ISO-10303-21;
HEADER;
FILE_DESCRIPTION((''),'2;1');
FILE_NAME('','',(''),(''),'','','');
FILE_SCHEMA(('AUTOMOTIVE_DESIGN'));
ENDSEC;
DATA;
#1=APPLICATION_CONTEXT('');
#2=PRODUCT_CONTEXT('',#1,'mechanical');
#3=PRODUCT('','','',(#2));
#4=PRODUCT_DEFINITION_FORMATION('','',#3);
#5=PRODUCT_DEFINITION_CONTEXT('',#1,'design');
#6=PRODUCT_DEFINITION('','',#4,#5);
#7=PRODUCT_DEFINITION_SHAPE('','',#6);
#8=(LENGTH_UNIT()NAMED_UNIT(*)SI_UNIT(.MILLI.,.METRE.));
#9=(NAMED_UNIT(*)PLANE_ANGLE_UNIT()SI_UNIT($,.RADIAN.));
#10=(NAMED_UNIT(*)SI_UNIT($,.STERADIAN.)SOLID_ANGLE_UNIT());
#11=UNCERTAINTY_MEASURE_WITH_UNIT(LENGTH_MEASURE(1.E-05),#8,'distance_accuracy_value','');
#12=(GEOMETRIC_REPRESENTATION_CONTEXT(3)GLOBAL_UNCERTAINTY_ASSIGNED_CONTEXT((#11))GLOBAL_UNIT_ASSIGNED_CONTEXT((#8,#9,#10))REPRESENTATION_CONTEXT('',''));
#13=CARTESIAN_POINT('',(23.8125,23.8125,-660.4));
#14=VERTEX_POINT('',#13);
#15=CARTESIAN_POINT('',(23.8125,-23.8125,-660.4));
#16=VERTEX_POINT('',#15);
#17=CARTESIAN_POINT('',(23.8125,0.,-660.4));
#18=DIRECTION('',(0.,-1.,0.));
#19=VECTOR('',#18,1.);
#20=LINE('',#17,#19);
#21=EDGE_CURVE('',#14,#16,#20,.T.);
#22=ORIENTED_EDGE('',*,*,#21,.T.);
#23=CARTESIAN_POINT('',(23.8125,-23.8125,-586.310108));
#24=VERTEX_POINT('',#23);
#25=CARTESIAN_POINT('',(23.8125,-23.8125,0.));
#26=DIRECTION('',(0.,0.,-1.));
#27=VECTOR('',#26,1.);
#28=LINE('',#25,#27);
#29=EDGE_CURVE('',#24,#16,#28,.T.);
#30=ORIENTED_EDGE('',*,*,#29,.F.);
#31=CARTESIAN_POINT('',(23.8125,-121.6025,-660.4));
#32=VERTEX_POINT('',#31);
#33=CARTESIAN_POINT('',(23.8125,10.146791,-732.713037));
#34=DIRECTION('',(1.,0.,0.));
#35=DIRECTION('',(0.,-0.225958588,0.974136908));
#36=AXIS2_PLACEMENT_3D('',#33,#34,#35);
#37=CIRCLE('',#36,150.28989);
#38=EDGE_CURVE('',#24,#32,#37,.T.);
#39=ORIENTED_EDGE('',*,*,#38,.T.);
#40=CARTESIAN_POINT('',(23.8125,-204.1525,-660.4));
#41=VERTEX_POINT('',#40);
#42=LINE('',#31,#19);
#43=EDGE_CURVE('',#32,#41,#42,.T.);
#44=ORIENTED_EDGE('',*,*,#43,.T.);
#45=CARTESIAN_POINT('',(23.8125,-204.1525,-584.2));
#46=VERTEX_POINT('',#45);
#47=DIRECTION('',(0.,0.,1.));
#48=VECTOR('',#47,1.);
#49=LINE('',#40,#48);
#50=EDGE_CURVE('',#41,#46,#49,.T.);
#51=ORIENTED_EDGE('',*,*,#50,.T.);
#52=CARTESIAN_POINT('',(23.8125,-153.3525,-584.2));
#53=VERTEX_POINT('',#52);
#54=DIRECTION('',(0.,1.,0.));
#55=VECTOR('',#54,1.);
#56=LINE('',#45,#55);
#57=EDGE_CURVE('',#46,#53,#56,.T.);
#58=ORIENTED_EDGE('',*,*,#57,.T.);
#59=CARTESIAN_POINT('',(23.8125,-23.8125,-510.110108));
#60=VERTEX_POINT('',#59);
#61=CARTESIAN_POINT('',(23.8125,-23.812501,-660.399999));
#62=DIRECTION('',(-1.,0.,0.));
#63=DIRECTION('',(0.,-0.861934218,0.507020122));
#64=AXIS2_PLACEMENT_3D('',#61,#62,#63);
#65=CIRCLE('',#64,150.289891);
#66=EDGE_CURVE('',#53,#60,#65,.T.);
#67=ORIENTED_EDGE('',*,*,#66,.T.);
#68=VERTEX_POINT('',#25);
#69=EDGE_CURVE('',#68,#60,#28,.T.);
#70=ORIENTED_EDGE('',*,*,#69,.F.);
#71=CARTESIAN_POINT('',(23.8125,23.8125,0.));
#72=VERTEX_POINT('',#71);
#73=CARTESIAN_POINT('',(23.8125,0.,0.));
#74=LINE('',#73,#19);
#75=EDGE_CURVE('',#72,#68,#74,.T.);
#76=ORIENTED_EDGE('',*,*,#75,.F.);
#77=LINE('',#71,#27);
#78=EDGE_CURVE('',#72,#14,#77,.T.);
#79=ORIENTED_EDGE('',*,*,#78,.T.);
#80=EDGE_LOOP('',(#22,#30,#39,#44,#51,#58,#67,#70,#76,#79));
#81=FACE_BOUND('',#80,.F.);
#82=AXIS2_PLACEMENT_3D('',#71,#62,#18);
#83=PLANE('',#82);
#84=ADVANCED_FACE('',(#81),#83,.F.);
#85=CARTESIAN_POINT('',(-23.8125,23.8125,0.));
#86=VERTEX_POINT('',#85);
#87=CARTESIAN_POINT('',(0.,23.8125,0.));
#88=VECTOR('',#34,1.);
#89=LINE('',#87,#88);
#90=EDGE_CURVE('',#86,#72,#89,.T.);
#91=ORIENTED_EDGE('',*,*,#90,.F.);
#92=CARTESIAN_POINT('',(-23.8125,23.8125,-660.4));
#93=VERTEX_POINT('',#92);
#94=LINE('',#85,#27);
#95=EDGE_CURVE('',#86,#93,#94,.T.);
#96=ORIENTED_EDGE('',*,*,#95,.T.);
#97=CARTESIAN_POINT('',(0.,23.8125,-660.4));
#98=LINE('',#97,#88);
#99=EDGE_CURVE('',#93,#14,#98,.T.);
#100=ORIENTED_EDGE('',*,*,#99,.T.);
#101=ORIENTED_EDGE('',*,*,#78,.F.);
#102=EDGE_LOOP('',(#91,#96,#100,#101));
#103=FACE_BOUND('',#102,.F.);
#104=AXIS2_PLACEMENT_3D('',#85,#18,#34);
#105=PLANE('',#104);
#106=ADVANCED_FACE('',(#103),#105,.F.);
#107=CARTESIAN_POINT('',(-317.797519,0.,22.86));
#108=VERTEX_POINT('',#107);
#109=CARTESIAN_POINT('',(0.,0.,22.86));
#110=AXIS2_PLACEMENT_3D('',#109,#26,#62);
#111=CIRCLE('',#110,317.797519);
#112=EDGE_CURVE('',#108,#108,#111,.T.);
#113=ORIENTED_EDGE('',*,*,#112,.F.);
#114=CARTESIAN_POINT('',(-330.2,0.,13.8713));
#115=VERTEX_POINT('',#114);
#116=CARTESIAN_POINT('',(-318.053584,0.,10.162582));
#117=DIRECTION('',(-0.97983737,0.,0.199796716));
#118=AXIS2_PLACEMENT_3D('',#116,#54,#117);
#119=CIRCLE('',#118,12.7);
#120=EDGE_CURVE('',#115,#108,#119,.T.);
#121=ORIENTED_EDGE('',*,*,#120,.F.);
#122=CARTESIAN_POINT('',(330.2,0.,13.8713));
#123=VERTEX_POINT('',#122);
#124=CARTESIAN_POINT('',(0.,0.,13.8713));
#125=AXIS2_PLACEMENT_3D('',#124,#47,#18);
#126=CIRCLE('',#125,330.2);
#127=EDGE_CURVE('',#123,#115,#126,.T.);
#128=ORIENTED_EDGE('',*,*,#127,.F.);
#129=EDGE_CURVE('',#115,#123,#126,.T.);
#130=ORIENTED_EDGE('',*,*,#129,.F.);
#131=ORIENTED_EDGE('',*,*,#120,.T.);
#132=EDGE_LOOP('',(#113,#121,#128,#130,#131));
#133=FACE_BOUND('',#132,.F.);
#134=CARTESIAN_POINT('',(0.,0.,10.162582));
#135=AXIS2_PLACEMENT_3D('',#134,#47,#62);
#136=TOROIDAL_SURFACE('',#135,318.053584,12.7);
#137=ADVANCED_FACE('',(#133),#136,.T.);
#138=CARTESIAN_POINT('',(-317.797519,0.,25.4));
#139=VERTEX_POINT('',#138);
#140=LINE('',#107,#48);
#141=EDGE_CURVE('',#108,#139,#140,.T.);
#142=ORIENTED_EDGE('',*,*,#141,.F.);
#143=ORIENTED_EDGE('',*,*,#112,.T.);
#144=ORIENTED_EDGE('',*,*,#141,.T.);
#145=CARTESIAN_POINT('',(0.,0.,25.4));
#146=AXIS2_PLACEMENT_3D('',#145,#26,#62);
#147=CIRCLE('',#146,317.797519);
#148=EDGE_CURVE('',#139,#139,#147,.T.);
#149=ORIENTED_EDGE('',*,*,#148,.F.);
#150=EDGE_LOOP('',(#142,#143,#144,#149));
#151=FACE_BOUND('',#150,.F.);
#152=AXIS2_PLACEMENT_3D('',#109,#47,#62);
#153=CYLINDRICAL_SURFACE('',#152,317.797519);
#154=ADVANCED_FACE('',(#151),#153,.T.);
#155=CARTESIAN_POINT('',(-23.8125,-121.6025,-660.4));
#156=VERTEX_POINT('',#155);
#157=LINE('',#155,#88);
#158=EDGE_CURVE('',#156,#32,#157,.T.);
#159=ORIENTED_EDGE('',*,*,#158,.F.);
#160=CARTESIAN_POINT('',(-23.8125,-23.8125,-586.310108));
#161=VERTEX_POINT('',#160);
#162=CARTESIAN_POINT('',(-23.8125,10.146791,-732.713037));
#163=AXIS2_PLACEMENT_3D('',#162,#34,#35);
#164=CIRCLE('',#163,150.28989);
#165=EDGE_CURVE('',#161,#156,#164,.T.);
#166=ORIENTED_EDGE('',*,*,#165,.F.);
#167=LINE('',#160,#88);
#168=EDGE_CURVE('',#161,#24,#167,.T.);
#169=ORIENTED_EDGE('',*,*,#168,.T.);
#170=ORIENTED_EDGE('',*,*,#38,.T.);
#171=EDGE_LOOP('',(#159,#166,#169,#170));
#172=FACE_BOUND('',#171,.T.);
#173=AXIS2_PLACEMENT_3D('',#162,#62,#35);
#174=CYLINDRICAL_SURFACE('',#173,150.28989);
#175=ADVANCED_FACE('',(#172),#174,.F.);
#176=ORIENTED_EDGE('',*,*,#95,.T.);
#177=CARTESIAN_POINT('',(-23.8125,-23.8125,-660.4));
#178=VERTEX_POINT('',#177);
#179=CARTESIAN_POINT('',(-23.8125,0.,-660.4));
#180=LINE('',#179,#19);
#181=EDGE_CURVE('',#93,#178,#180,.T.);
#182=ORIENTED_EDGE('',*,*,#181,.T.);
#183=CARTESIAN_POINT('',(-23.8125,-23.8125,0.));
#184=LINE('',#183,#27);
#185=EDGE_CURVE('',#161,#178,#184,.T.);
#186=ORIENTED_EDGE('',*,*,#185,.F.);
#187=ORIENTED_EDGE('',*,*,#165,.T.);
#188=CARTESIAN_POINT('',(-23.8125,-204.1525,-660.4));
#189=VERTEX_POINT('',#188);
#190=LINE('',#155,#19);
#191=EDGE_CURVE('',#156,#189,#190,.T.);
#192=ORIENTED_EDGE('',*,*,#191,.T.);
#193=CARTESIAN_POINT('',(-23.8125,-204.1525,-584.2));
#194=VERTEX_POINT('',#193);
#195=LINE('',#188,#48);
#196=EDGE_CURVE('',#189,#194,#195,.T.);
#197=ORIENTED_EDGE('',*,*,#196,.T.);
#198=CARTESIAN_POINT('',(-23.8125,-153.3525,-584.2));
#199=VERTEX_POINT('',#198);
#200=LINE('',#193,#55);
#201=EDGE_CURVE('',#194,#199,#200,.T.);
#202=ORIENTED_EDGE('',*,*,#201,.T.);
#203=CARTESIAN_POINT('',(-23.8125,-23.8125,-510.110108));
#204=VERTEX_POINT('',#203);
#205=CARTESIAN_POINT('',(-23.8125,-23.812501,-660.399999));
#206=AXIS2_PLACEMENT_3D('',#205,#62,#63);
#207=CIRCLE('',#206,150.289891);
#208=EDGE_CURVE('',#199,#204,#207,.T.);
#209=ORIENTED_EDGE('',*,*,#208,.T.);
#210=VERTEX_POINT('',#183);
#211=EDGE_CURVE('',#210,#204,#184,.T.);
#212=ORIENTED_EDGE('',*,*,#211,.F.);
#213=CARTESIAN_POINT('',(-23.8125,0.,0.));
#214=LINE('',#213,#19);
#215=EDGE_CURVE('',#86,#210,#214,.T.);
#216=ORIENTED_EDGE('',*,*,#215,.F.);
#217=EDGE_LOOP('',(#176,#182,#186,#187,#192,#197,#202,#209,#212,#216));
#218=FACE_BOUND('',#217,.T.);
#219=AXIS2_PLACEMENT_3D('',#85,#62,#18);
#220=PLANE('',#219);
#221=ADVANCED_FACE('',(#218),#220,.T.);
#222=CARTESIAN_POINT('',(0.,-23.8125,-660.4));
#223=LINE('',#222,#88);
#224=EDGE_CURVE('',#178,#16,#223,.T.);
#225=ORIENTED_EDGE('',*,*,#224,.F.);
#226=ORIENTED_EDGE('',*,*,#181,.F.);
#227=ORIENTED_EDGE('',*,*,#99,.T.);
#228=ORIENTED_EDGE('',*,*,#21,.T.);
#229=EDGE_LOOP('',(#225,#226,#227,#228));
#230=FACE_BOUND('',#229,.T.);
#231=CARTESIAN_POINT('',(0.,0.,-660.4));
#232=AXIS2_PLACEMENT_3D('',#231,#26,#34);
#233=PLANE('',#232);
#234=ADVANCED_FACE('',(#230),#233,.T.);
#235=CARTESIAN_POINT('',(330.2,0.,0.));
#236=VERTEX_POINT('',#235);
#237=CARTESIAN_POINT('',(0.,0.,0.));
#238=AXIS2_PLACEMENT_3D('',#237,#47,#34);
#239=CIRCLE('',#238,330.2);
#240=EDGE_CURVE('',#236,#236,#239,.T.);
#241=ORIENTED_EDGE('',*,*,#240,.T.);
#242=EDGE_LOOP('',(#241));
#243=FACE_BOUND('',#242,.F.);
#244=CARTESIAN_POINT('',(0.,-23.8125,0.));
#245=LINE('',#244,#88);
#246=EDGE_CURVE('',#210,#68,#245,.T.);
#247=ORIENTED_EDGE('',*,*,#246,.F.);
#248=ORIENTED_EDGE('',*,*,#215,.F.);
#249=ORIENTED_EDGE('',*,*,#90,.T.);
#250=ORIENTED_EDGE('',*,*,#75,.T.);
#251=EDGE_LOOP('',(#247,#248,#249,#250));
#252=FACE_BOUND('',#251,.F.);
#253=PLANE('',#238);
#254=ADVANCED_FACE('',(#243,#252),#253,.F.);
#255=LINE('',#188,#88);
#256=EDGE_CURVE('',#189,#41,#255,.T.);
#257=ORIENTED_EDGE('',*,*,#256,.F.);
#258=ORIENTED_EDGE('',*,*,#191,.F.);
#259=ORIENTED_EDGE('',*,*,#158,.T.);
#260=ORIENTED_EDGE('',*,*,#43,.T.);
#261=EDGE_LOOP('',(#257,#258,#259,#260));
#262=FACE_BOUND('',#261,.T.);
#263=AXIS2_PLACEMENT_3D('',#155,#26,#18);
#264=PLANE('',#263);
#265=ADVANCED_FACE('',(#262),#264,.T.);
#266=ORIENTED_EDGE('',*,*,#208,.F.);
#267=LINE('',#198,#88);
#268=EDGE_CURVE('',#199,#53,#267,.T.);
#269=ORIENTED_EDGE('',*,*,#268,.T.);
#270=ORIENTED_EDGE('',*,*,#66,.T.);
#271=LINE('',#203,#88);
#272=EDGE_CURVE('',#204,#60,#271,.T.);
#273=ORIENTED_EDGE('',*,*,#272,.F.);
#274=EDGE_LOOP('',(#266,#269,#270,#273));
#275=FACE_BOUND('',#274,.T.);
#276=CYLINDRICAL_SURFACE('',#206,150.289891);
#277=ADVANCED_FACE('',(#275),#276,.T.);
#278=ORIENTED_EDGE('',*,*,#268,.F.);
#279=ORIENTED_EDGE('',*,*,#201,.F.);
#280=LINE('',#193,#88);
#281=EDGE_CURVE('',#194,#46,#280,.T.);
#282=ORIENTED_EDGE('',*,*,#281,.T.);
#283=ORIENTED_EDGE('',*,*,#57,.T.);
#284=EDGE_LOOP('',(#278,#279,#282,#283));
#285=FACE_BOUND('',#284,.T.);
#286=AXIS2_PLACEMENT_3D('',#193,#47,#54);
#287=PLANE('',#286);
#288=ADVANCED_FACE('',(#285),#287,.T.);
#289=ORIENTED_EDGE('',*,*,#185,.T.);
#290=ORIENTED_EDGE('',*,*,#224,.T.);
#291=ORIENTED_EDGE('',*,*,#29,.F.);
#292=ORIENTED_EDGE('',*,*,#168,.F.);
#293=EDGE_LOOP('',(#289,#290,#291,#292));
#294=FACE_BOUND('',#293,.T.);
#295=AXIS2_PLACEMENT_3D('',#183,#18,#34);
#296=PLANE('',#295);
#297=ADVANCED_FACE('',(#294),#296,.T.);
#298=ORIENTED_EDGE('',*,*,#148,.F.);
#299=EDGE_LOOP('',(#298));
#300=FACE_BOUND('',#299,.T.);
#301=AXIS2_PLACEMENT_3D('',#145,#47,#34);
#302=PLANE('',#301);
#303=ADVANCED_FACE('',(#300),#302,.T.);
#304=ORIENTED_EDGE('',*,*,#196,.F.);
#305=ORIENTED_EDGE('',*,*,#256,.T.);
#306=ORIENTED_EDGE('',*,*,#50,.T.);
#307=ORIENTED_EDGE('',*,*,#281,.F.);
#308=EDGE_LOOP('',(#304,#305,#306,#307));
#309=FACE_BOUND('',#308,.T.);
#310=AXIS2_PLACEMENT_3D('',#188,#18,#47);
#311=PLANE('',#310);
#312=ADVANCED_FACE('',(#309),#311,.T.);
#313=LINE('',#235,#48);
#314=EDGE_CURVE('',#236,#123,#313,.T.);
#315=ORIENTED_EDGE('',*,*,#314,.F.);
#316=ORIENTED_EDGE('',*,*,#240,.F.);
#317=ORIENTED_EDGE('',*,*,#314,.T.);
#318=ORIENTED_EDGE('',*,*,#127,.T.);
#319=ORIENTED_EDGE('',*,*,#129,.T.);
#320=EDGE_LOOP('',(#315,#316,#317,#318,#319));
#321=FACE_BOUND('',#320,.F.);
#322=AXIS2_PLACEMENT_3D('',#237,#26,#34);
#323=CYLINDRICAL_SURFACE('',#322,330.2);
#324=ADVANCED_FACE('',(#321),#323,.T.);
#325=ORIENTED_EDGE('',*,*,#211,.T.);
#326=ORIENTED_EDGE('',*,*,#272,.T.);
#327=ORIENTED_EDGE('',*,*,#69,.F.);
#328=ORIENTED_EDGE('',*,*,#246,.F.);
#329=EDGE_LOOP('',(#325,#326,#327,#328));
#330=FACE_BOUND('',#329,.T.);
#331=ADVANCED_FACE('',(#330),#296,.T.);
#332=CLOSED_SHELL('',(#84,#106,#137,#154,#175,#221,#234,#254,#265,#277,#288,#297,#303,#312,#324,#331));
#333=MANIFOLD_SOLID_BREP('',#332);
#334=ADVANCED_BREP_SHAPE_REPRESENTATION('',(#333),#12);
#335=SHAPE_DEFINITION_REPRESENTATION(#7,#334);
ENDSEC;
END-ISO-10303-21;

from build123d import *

# Parameters (mm, degrees)
F0_R     = 330.2
F1_DEPTH = 25.4
F4_W     = 47.625
F4_H     = 47.625
F5_DEPTH = 660.4
F7_DEPTH = 47.625


with BuildPart() as f1:
    # F0 (on Top) → F1 (new body)
    with BuildSketch(Plane.XY):
        Circle(F0_R)
    extrude(amount=F1_DEPTH)

    # F2 (on Front) → F3 (revolve, cut)
    with BuildSketch(Plane.XZ):
        with BuildLine():
            Line((-317.797519, 22.86), (-317.797519, 25.4))
            Line((-317.797519, 25.4), (-330.497519, 25.4))
            Line((-330.497519, 25.4), (-330.497519, 12.7))
            ThreePointArc((-330.497519, 12.7), (-325.987211, 20.079616), (-317.797519, 22.86))
        make_face()
    revolve(axis=Axis((0, 0, -14.905058), (0, 0, -1)), mode=Mode.SUBTRACT)

    # F4 (on face) → F5 (join)
    with BuildSketch(Plane(origin=(0, 0, 0), x_dir=(1, 0, 0), z_dir=(0, 0, -1))):
        Rectangle(F4_W, F4_H)
    extrude(amount=F5_DEPTH)

    # F6 (on face) → F7 (join)
    with BuildSketch(Plane(origin=(-23.8125, 0, 0), x_dir=(0, -1, 0), z_dir=(-1, 0, 0))):
        with BuildLine():
            Line((204.1525, -584.2), (153.3525, -584.2))
            ThreePointArc((153.3525, -584.2), (98.428054, -529.940923), (23.8125, -510.110108))
            Line((23.8125, -510.110108), (23.8125, -586.310108))
            ThreePointArc((23.8125, -586.310108), (80.612019, -612.922013), (121.6025, -660.4))
            Line((121.6025, -660.4), (204.1525, -660.4))
            Line((204.1525, -660.4), (204.1525, -584.2))
        make_face()
    extrude(amount=-F7_DEPTH)


solid = f1.part
